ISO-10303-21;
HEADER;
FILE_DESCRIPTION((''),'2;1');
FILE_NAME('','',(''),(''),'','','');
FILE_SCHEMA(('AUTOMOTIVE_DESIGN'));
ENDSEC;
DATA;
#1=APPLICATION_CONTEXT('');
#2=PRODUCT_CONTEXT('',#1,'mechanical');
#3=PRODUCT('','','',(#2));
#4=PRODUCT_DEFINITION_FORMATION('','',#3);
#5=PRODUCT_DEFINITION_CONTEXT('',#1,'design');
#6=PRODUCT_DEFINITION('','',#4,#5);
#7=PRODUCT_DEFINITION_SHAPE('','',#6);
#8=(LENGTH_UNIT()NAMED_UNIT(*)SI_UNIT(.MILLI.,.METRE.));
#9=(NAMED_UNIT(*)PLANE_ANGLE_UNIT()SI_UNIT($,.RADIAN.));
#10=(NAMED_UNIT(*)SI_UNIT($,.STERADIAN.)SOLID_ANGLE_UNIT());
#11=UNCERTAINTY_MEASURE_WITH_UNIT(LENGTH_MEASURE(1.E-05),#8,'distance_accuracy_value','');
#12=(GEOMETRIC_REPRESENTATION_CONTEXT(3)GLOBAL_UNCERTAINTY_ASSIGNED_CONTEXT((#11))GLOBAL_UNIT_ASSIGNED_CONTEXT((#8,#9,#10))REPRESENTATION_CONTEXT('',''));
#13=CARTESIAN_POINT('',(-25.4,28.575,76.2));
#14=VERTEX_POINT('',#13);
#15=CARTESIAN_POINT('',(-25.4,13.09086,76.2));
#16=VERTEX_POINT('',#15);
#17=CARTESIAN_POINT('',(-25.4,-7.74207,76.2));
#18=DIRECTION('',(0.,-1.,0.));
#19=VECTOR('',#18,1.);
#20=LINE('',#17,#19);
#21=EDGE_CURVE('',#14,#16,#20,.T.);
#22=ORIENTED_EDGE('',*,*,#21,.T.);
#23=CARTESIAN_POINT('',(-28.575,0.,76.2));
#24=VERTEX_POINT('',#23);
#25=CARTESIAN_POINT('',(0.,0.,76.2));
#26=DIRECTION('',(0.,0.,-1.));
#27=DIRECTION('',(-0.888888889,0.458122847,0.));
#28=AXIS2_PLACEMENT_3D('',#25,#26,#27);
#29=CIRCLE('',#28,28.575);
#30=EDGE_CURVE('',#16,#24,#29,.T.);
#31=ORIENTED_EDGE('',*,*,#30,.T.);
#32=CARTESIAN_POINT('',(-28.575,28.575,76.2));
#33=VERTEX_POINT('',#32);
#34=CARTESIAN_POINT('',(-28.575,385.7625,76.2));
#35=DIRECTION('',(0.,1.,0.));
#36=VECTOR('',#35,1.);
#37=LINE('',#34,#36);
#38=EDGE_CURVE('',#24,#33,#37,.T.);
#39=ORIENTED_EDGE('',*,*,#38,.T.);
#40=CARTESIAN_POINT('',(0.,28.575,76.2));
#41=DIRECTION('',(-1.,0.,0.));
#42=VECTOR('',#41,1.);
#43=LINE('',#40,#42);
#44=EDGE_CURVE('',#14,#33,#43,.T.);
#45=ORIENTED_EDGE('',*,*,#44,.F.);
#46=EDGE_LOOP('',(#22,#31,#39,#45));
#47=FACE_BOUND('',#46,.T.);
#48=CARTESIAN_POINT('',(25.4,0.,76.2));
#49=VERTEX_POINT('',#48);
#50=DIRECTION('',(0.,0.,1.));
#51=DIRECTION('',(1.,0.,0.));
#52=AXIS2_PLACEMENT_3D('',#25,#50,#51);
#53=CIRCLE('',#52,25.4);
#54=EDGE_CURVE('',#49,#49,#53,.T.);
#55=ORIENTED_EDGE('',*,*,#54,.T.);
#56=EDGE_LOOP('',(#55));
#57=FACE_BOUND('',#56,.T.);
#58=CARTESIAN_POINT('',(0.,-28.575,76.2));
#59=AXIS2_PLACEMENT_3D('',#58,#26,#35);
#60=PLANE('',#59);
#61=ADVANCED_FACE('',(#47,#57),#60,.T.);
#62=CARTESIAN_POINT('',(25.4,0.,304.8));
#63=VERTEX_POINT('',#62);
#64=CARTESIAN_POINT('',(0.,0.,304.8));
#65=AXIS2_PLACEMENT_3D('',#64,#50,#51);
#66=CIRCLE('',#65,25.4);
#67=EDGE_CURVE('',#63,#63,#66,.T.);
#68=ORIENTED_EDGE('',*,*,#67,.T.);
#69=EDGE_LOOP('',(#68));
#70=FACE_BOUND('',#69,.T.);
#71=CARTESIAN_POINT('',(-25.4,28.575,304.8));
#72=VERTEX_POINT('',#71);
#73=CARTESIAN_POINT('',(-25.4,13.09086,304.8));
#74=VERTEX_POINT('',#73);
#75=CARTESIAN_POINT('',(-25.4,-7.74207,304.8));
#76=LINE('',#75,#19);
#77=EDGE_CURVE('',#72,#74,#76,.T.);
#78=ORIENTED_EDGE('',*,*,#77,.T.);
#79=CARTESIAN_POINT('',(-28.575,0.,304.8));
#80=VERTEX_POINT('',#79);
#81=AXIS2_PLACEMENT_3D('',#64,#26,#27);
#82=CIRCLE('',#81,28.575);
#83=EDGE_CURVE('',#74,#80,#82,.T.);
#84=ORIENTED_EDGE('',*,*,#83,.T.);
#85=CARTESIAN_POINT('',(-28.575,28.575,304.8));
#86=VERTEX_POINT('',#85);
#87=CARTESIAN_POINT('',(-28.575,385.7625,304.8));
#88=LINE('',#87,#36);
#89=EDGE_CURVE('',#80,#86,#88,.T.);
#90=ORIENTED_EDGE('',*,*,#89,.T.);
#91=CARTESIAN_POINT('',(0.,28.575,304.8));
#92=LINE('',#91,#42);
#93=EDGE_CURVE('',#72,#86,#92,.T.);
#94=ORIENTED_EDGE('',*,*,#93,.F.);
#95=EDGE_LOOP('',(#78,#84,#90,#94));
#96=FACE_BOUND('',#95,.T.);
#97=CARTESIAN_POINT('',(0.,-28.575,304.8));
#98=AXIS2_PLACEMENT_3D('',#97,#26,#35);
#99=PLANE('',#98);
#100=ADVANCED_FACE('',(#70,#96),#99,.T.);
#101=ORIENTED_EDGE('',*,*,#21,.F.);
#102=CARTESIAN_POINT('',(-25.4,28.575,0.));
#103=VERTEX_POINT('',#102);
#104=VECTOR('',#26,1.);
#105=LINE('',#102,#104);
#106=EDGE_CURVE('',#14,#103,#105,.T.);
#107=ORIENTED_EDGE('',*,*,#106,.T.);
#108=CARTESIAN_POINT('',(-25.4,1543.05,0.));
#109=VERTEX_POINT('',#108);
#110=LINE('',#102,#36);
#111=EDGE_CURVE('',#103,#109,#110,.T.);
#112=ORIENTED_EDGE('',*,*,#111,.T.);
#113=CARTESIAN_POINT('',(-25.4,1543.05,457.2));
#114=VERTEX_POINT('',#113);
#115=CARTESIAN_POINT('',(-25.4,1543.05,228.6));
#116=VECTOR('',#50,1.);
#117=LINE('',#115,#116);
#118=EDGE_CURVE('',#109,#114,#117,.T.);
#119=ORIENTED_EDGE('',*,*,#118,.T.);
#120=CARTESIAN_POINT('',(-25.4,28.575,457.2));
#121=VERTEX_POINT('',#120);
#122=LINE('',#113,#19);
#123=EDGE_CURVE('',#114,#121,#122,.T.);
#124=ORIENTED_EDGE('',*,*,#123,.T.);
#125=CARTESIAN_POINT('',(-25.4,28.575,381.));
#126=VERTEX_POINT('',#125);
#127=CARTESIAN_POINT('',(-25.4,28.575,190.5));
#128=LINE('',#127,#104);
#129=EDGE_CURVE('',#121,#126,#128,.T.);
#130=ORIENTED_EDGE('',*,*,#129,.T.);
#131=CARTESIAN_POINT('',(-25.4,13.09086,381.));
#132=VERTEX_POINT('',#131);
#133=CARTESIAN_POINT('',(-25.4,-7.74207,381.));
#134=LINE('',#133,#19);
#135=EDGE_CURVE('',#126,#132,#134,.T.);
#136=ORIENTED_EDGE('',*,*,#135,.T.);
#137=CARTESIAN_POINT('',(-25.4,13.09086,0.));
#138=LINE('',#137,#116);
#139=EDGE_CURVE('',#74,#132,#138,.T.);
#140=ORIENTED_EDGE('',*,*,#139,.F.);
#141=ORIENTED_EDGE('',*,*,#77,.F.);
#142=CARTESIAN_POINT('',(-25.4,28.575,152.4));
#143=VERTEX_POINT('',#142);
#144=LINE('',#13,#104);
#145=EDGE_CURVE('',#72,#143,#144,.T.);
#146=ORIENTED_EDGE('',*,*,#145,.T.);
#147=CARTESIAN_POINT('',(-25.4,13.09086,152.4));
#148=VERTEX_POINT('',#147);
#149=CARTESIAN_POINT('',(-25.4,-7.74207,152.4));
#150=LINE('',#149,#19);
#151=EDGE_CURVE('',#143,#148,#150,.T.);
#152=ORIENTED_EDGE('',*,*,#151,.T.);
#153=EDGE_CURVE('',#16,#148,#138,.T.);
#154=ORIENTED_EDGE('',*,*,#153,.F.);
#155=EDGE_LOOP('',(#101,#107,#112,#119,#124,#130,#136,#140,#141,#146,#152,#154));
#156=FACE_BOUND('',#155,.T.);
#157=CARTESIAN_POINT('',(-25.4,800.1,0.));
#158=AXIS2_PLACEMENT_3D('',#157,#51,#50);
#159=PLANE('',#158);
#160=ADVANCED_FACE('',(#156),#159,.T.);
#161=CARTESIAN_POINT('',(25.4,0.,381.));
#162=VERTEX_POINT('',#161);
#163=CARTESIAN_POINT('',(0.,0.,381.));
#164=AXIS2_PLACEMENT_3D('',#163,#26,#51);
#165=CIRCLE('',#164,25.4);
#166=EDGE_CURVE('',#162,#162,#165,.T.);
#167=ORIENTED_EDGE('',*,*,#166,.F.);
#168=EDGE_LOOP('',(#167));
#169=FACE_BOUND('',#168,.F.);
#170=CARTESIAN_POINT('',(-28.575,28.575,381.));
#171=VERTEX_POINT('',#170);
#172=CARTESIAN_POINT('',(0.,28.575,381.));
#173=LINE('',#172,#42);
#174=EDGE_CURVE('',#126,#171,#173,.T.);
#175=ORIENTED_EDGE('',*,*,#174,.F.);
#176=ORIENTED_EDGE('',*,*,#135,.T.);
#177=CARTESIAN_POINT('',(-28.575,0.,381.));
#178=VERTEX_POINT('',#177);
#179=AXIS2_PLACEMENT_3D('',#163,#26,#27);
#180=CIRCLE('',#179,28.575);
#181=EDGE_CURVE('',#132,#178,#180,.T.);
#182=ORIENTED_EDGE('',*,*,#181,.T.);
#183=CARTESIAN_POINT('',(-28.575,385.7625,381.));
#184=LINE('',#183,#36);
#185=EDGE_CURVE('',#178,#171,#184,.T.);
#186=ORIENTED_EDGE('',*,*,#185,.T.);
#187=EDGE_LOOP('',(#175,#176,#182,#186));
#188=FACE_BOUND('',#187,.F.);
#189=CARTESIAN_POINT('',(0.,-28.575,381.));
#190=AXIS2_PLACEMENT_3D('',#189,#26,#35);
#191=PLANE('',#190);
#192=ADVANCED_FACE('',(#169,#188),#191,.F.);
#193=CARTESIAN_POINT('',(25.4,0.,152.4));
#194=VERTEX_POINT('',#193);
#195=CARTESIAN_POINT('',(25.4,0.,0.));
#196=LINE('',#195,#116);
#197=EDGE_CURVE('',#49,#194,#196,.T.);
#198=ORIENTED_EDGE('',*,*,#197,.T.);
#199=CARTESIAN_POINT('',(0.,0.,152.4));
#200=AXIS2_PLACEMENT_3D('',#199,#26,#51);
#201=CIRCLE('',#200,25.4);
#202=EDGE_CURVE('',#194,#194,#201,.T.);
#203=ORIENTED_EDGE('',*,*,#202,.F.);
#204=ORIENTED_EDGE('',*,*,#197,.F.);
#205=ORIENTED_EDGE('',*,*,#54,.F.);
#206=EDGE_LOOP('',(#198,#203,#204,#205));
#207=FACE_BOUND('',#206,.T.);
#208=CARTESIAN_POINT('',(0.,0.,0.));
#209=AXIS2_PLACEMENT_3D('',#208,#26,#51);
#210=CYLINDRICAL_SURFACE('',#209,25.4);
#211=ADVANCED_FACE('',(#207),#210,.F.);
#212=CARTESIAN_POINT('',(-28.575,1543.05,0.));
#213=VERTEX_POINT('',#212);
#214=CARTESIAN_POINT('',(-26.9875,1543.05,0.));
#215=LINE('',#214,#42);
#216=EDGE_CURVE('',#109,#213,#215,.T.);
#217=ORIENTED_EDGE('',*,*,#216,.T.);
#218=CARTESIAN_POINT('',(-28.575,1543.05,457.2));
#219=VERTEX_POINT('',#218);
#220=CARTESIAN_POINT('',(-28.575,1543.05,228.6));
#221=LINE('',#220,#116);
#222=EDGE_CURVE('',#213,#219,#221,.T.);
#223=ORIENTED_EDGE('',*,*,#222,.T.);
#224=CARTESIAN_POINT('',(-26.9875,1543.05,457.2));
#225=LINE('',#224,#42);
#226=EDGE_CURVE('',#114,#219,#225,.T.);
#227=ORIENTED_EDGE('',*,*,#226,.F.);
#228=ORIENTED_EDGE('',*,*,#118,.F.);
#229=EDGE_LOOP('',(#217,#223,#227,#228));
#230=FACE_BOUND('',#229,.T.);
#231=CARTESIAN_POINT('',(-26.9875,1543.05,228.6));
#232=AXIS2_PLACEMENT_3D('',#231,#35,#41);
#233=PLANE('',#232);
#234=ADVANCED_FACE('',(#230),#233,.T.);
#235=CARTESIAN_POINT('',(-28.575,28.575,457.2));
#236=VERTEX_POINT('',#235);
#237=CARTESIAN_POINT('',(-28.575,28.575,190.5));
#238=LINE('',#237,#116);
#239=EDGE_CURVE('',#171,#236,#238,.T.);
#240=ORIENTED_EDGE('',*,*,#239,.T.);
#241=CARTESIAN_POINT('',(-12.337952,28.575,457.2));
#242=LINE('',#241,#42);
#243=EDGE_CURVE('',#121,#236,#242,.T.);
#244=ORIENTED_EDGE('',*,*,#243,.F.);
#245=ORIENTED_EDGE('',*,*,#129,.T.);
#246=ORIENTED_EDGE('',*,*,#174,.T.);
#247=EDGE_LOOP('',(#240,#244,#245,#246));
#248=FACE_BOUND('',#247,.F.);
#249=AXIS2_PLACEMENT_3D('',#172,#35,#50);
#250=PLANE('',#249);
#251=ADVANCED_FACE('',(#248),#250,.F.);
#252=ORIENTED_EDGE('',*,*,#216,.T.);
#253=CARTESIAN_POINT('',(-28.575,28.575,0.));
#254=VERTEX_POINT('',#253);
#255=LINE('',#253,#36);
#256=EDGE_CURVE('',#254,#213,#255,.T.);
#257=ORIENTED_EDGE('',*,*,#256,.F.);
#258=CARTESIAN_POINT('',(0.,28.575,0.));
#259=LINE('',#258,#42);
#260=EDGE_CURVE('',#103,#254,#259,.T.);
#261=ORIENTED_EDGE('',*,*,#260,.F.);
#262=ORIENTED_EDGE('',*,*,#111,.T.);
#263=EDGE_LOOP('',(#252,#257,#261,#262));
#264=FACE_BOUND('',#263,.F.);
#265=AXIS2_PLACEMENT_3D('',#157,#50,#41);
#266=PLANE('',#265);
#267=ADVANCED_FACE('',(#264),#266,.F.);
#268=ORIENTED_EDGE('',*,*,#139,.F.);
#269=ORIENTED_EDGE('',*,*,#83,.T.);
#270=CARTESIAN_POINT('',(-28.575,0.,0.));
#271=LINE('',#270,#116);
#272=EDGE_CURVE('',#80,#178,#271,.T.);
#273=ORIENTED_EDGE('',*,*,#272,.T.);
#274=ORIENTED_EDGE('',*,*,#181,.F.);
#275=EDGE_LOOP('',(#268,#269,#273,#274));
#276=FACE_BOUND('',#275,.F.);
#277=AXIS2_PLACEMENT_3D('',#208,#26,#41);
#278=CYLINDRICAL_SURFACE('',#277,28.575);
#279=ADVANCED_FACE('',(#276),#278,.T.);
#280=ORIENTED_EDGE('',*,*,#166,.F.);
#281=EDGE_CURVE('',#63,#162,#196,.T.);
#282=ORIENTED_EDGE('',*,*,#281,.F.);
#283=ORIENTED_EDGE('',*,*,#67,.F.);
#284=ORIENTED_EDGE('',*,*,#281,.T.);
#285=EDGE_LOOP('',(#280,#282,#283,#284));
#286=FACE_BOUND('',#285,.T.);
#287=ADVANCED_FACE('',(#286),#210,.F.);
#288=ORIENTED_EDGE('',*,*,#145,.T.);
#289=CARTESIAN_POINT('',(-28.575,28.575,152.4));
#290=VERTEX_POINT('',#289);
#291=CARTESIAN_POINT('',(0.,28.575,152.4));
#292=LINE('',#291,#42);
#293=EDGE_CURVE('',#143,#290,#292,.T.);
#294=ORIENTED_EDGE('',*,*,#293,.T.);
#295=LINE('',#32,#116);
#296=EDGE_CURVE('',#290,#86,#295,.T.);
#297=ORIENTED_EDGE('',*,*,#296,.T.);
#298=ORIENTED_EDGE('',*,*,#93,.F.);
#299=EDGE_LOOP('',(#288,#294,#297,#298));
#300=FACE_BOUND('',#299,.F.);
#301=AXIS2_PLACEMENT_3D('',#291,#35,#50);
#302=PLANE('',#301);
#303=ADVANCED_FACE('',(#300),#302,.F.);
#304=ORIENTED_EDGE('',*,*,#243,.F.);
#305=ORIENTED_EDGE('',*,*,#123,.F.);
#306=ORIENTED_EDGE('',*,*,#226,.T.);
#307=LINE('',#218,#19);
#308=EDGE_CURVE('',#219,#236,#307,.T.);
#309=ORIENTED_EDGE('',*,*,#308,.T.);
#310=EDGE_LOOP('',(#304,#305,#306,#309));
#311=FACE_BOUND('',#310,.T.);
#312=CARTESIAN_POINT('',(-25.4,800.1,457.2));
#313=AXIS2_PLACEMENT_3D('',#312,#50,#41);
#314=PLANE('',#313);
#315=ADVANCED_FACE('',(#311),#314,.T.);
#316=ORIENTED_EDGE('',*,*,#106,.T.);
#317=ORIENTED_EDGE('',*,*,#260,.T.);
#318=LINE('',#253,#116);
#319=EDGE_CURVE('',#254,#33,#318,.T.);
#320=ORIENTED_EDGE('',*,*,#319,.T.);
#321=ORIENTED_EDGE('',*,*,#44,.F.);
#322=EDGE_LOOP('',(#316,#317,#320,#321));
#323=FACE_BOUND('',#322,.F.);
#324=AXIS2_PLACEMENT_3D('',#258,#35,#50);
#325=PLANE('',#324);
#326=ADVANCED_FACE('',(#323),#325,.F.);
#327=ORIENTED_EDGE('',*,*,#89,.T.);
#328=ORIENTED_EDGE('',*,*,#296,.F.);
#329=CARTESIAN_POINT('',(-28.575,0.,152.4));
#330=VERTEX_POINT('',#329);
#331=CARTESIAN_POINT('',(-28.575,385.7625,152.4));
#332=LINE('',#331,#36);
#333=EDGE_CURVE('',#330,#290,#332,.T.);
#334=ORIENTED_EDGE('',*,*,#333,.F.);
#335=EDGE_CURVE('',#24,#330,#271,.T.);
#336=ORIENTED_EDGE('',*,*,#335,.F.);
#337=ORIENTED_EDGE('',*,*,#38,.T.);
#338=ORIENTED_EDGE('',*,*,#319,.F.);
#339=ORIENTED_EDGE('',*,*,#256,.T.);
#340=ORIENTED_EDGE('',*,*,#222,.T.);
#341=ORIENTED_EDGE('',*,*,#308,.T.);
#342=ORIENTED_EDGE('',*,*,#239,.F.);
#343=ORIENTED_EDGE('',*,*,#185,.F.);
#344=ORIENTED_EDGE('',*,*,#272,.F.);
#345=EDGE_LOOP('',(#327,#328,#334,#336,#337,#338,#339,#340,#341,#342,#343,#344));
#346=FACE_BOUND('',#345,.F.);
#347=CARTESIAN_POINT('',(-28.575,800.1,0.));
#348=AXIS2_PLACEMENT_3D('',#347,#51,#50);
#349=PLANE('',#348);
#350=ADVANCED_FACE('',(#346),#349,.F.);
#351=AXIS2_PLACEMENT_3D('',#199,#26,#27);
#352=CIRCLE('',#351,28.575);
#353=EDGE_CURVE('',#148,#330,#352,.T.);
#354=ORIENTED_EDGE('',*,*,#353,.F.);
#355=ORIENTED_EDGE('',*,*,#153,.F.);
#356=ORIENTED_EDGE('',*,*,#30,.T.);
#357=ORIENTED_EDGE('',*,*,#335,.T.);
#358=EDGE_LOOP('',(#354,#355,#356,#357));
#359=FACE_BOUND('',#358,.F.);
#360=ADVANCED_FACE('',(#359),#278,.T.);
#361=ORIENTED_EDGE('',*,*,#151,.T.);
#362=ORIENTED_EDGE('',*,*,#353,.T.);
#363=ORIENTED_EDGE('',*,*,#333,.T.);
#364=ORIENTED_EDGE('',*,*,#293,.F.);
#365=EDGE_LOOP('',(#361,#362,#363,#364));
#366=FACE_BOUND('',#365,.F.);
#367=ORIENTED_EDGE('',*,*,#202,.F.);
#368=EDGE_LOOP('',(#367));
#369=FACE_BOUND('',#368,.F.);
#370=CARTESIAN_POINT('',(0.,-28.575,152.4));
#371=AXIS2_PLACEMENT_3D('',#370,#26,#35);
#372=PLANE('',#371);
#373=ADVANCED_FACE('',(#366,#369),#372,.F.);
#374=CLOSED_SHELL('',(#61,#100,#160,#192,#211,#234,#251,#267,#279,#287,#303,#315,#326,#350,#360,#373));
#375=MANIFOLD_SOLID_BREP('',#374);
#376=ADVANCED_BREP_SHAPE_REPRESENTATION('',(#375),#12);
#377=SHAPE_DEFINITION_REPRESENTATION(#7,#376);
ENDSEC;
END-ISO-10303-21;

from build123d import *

# Parameters (mm, degrees)
F0_R          = 25.4
F1_DEPTH      = 457.2
F2_W          = 57.15
F2_H          = 76.2
F2_H_2        = 152.4
F2_H_3        = 79.4389369488
F3_DEPTH      = 28.576
F3_DEPTH_BACK = 28.576
F4_W          = 3.175
F4_H          = 457.2
F5_DEPTH      = 742.95


with BuildPart() as f1:
    # F0 (on Top) → F1 (new body)
    with BuildSketch(Plane.XY):
        with BuildLine():
            Line((-28.575, 800.1), (-28.575, 0))
            ThreePointArc((-28.575, 0), (27.7699083992, -6.7351920908), (-25.4, 13.0908603613))
            Line((-25.4, 13.0908603613), (-25.4, 800.1))
            Line((-25.4, 800.1), (-28.575, 800.1))
        make_face()
        Circle(F0_R, mode=Mode.SUBTRACT)
    extrude(amount=F1_DEPTH)

    # F2 (on Right) → F3 (cut, two sides)
    with BuildSketch(Plane.YZ) as f3_sk:
        with Locations((0, 38.1)):
            Rectangle(F2_W, F2_H)
        with Locations((0, 228.6)):
            Rectangle(F2_W, F2_H_2)
        with Locations((0, 420.7194684744)):
            Rectangle(F2_W, F2_H_3)
    extrude(amount=-F3_DEPTH, mode=Mode.SUBTRACT)
    extrude(f3_sk.sketch, amount=F3_DEPTH_BACK, mode=Mode.SUBTRACT)

    # F4 (on face) → F5 (join)
    with BuildSketch(Plane(origin=(0, 800.1, 0), x_dir=(-1, 0, 0), z_dir=(0, 1, 0))):
        with Locations((26.9875, 228.6)):
            Rectangle(F4_W, F4_H)
    extrude(amount=F5_DEPTH)


solid = f1.part
